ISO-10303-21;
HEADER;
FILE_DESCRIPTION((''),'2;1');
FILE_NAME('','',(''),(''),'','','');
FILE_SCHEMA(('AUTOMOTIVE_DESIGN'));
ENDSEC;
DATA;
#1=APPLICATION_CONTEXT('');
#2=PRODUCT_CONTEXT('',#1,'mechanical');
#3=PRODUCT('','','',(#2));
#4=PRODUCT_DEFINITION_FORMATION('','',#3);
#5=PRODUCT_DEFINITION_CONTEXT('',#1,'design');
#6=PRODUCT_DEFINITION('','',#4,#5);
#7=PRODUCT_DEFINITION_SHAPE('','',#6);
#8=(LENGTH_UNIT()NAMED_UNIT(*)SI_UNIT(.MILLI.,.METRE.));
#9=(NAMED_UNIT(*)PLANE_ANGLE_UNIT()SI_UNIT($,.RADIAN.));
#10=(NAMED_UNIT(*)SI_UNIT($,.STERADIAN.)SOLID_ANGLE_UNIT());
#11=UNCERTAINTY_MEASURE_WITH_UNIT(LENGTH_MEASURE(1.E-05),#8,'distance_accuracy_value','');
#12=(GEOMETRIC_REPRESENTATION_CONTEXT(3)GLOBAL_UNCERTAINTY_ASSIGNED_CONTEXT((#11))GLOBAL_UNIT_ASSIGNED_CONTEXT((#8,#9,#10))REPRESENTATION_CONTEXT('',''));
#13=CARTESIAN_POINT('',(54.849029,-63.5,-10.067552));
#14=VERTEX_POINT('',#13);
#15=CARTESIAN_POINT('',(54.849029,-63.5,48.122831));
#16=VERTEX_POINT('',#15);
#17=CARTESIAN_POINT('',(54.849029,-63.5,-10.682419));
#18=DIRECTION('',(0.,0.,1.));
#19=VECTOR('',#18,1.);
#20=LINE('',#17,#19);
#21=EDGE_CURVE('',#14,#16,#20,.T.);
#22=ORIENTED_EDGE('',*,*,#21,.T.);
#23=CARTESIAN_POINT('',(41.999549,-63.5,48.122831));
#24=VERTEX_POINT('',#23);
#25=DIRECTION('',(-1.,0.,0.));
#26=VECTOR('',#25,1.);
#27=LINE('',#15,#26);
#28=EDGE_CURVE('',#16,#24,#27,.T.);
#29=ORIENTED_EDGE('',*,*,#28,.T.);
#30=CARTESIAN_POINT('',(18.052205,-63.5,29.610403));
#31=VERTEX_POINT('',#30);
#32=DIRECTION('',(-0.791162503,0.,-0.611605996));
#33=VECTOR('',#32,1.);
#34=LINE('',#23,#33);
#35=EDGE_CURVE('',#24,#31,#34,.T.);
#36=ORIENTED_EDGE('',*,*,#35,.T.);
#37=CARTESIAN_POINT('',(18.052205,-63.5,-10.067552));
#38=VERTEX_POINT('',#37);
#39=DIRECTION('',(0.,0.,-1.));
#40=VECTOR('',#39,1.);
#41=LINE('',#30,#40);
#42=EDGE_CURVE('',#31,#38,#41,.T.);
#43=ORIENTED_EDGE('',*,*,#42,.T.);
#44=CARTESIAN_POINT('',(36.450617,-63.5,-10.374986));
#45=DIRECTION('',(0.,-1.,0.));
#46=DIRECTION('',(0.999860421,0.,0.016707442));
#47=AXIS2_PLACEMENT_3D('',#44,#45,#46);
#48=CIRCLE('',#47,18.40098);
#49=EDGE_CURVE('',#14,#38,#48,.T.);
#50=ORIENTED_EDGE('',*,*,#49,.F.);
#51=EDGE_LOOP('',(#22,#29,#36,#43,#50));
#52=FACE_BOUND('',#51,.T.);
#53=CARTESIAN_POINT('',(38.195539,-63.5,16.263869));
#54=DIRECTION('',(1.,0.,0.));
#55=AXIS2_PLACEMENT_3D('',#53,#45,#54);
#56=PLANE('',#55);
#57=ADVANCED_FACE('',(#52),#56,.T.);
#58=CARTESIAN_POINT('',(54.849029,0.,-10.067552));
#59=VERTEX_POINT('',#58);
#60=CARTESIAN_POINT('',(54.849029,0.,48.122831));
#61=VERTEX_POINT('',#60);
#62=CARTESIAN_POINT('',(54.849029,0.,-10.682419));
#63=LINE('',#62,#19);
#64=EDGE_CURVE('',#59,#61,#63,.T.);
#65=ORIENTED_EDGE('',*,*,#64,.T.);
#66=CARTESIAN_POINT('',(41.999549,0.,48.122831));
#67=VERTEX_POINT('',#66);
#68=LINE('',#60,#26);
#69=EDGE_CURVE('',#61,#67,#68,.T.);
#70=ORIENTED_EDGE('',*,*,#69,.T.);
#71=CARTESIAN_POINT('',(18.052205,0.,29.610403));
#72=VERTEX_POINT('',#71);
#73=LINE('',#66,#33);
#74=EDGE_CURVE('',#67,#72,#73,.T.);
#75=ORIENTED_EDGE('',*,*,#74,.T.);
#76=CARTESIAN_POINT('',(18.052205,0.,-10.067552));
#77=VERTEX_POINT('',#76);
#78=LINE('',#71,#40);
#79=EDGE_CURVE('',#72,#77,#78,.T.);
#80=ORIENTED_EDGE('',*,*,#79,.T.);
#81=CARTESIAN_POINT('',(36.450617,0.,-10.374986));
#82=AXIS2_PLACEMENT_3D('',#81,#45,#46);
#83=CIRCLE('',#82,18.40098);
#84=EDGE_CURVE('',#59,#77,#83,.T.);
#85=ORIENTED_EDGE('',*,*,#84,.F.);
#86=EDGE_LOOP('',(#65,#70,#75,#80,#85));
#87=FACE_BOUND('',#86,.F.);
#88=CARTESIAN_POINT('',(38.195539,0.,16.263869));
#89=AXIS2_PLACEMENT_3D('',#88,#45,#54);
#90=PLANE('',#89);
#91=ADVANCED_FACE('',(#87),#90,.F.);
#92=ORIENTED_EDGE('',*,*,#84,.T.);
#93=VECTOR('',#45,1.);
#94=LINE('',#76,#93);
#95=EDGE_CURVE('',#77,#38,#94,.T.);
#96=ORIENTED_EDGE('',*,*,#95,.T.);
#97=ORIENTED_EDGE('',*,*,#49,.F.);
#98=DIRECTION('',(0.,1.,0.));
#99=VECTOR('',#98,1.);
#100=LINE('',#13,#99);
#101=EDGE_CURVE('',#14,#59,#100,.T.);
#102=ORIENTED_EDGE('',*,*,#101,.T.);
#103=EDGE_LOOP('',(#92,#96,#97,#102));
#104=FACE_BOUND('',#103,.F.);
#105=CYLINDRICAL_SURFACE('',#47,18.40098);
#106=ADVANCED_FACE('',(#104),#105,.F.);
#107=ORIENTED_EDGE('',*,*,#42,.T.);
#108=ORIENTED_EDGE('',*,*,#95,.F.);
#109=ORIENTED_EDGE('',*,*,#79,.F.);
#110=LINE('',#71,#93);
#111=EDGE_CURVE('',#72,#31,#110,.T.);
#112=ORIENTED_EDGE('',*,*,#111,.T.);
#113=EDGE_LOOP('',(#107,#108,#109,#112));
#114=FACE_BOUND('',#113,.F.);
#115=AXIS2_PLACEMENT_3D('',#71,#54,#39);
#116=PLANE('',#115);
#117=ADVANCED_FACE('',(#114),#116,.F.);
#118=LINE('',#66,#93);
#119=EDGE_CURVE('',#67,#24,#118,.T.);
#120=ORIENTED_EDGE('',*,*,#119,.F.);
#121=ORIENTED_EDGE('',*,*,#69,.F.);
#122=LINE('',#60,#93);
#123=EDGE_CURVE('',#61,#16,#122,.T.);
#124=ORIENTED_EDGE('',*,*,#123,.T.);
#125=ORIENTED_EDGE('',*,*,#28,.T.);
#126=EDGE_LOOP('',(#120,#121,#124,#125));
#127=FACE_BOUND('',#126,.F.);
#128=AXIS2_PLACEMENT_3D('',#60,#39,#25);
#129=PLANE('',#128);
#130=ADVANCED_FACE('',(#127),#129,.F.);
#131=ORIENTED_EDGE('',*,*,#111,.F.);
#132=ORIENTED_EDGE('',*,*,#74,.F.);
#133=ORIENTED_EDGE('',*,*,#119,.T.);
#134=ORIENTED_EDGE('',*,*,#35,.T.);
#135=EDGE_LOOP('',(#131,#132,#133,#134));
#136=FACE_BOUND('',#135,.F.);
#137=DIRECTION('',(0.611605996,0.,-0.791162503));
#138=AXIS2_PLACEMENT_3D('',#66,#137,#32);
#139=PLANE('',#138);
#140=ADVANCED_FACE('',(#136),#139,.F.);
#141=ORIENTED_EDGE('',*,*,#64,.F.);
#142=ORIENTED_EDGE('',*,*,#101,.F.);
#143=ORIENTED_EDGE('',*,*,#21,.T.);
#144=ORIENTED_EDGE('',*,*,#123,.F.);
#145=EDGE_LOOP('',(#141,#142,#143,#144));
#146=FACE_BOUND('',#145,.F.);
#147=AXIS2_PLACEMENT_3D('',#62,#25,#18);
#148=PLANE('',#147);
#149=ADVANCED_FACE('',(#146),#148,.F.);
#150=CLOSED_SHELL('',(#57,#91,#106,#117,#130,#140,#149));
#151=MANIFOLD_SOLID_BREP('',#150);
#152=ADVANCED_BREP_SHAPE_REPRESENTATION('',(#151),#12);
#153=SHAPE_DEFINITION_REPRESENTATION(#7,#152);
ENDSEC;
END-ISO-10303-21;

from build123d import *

# Parameters (mm, degrees)
F1_DEPTH = 63.5
F3_DEPTH = 228.6


with BuildPart() as f1:
    # F0 (on Front) → F1 (new body)
    with BuildSketch(Plane.XZ):
        Polygon((18.0522054434, 29.6104028821), (18.0522054434, -10.0675523281), (54.8490285873, -10.6824189425), (54.8490285873, 48.122830689), (41.9995486736, 48.122830689), align=None)
    extrude(amount=F1_DEPTH)

    # F2 (on face) → F3 (cut)
    with BuildSketch(Plane.XZ.offset(63.5)):
        with BuildLine():
            ThreePointArc((54.8490285873, -10.0675523281), (36.4506170154, 8.025994328), (18.0522054434, -10.0675523281))
            Line((18.0522054434, -10.0675523281), (54.8490285873, -10.6824189425))
            Line((54.8490285873, -10.6824189425), (54.8490285873, -10.0675523281))
        make_face()
    extrude(amount=-F3_DEPTH, mode=Mode.SUBTRACT)


solid = f1.part
